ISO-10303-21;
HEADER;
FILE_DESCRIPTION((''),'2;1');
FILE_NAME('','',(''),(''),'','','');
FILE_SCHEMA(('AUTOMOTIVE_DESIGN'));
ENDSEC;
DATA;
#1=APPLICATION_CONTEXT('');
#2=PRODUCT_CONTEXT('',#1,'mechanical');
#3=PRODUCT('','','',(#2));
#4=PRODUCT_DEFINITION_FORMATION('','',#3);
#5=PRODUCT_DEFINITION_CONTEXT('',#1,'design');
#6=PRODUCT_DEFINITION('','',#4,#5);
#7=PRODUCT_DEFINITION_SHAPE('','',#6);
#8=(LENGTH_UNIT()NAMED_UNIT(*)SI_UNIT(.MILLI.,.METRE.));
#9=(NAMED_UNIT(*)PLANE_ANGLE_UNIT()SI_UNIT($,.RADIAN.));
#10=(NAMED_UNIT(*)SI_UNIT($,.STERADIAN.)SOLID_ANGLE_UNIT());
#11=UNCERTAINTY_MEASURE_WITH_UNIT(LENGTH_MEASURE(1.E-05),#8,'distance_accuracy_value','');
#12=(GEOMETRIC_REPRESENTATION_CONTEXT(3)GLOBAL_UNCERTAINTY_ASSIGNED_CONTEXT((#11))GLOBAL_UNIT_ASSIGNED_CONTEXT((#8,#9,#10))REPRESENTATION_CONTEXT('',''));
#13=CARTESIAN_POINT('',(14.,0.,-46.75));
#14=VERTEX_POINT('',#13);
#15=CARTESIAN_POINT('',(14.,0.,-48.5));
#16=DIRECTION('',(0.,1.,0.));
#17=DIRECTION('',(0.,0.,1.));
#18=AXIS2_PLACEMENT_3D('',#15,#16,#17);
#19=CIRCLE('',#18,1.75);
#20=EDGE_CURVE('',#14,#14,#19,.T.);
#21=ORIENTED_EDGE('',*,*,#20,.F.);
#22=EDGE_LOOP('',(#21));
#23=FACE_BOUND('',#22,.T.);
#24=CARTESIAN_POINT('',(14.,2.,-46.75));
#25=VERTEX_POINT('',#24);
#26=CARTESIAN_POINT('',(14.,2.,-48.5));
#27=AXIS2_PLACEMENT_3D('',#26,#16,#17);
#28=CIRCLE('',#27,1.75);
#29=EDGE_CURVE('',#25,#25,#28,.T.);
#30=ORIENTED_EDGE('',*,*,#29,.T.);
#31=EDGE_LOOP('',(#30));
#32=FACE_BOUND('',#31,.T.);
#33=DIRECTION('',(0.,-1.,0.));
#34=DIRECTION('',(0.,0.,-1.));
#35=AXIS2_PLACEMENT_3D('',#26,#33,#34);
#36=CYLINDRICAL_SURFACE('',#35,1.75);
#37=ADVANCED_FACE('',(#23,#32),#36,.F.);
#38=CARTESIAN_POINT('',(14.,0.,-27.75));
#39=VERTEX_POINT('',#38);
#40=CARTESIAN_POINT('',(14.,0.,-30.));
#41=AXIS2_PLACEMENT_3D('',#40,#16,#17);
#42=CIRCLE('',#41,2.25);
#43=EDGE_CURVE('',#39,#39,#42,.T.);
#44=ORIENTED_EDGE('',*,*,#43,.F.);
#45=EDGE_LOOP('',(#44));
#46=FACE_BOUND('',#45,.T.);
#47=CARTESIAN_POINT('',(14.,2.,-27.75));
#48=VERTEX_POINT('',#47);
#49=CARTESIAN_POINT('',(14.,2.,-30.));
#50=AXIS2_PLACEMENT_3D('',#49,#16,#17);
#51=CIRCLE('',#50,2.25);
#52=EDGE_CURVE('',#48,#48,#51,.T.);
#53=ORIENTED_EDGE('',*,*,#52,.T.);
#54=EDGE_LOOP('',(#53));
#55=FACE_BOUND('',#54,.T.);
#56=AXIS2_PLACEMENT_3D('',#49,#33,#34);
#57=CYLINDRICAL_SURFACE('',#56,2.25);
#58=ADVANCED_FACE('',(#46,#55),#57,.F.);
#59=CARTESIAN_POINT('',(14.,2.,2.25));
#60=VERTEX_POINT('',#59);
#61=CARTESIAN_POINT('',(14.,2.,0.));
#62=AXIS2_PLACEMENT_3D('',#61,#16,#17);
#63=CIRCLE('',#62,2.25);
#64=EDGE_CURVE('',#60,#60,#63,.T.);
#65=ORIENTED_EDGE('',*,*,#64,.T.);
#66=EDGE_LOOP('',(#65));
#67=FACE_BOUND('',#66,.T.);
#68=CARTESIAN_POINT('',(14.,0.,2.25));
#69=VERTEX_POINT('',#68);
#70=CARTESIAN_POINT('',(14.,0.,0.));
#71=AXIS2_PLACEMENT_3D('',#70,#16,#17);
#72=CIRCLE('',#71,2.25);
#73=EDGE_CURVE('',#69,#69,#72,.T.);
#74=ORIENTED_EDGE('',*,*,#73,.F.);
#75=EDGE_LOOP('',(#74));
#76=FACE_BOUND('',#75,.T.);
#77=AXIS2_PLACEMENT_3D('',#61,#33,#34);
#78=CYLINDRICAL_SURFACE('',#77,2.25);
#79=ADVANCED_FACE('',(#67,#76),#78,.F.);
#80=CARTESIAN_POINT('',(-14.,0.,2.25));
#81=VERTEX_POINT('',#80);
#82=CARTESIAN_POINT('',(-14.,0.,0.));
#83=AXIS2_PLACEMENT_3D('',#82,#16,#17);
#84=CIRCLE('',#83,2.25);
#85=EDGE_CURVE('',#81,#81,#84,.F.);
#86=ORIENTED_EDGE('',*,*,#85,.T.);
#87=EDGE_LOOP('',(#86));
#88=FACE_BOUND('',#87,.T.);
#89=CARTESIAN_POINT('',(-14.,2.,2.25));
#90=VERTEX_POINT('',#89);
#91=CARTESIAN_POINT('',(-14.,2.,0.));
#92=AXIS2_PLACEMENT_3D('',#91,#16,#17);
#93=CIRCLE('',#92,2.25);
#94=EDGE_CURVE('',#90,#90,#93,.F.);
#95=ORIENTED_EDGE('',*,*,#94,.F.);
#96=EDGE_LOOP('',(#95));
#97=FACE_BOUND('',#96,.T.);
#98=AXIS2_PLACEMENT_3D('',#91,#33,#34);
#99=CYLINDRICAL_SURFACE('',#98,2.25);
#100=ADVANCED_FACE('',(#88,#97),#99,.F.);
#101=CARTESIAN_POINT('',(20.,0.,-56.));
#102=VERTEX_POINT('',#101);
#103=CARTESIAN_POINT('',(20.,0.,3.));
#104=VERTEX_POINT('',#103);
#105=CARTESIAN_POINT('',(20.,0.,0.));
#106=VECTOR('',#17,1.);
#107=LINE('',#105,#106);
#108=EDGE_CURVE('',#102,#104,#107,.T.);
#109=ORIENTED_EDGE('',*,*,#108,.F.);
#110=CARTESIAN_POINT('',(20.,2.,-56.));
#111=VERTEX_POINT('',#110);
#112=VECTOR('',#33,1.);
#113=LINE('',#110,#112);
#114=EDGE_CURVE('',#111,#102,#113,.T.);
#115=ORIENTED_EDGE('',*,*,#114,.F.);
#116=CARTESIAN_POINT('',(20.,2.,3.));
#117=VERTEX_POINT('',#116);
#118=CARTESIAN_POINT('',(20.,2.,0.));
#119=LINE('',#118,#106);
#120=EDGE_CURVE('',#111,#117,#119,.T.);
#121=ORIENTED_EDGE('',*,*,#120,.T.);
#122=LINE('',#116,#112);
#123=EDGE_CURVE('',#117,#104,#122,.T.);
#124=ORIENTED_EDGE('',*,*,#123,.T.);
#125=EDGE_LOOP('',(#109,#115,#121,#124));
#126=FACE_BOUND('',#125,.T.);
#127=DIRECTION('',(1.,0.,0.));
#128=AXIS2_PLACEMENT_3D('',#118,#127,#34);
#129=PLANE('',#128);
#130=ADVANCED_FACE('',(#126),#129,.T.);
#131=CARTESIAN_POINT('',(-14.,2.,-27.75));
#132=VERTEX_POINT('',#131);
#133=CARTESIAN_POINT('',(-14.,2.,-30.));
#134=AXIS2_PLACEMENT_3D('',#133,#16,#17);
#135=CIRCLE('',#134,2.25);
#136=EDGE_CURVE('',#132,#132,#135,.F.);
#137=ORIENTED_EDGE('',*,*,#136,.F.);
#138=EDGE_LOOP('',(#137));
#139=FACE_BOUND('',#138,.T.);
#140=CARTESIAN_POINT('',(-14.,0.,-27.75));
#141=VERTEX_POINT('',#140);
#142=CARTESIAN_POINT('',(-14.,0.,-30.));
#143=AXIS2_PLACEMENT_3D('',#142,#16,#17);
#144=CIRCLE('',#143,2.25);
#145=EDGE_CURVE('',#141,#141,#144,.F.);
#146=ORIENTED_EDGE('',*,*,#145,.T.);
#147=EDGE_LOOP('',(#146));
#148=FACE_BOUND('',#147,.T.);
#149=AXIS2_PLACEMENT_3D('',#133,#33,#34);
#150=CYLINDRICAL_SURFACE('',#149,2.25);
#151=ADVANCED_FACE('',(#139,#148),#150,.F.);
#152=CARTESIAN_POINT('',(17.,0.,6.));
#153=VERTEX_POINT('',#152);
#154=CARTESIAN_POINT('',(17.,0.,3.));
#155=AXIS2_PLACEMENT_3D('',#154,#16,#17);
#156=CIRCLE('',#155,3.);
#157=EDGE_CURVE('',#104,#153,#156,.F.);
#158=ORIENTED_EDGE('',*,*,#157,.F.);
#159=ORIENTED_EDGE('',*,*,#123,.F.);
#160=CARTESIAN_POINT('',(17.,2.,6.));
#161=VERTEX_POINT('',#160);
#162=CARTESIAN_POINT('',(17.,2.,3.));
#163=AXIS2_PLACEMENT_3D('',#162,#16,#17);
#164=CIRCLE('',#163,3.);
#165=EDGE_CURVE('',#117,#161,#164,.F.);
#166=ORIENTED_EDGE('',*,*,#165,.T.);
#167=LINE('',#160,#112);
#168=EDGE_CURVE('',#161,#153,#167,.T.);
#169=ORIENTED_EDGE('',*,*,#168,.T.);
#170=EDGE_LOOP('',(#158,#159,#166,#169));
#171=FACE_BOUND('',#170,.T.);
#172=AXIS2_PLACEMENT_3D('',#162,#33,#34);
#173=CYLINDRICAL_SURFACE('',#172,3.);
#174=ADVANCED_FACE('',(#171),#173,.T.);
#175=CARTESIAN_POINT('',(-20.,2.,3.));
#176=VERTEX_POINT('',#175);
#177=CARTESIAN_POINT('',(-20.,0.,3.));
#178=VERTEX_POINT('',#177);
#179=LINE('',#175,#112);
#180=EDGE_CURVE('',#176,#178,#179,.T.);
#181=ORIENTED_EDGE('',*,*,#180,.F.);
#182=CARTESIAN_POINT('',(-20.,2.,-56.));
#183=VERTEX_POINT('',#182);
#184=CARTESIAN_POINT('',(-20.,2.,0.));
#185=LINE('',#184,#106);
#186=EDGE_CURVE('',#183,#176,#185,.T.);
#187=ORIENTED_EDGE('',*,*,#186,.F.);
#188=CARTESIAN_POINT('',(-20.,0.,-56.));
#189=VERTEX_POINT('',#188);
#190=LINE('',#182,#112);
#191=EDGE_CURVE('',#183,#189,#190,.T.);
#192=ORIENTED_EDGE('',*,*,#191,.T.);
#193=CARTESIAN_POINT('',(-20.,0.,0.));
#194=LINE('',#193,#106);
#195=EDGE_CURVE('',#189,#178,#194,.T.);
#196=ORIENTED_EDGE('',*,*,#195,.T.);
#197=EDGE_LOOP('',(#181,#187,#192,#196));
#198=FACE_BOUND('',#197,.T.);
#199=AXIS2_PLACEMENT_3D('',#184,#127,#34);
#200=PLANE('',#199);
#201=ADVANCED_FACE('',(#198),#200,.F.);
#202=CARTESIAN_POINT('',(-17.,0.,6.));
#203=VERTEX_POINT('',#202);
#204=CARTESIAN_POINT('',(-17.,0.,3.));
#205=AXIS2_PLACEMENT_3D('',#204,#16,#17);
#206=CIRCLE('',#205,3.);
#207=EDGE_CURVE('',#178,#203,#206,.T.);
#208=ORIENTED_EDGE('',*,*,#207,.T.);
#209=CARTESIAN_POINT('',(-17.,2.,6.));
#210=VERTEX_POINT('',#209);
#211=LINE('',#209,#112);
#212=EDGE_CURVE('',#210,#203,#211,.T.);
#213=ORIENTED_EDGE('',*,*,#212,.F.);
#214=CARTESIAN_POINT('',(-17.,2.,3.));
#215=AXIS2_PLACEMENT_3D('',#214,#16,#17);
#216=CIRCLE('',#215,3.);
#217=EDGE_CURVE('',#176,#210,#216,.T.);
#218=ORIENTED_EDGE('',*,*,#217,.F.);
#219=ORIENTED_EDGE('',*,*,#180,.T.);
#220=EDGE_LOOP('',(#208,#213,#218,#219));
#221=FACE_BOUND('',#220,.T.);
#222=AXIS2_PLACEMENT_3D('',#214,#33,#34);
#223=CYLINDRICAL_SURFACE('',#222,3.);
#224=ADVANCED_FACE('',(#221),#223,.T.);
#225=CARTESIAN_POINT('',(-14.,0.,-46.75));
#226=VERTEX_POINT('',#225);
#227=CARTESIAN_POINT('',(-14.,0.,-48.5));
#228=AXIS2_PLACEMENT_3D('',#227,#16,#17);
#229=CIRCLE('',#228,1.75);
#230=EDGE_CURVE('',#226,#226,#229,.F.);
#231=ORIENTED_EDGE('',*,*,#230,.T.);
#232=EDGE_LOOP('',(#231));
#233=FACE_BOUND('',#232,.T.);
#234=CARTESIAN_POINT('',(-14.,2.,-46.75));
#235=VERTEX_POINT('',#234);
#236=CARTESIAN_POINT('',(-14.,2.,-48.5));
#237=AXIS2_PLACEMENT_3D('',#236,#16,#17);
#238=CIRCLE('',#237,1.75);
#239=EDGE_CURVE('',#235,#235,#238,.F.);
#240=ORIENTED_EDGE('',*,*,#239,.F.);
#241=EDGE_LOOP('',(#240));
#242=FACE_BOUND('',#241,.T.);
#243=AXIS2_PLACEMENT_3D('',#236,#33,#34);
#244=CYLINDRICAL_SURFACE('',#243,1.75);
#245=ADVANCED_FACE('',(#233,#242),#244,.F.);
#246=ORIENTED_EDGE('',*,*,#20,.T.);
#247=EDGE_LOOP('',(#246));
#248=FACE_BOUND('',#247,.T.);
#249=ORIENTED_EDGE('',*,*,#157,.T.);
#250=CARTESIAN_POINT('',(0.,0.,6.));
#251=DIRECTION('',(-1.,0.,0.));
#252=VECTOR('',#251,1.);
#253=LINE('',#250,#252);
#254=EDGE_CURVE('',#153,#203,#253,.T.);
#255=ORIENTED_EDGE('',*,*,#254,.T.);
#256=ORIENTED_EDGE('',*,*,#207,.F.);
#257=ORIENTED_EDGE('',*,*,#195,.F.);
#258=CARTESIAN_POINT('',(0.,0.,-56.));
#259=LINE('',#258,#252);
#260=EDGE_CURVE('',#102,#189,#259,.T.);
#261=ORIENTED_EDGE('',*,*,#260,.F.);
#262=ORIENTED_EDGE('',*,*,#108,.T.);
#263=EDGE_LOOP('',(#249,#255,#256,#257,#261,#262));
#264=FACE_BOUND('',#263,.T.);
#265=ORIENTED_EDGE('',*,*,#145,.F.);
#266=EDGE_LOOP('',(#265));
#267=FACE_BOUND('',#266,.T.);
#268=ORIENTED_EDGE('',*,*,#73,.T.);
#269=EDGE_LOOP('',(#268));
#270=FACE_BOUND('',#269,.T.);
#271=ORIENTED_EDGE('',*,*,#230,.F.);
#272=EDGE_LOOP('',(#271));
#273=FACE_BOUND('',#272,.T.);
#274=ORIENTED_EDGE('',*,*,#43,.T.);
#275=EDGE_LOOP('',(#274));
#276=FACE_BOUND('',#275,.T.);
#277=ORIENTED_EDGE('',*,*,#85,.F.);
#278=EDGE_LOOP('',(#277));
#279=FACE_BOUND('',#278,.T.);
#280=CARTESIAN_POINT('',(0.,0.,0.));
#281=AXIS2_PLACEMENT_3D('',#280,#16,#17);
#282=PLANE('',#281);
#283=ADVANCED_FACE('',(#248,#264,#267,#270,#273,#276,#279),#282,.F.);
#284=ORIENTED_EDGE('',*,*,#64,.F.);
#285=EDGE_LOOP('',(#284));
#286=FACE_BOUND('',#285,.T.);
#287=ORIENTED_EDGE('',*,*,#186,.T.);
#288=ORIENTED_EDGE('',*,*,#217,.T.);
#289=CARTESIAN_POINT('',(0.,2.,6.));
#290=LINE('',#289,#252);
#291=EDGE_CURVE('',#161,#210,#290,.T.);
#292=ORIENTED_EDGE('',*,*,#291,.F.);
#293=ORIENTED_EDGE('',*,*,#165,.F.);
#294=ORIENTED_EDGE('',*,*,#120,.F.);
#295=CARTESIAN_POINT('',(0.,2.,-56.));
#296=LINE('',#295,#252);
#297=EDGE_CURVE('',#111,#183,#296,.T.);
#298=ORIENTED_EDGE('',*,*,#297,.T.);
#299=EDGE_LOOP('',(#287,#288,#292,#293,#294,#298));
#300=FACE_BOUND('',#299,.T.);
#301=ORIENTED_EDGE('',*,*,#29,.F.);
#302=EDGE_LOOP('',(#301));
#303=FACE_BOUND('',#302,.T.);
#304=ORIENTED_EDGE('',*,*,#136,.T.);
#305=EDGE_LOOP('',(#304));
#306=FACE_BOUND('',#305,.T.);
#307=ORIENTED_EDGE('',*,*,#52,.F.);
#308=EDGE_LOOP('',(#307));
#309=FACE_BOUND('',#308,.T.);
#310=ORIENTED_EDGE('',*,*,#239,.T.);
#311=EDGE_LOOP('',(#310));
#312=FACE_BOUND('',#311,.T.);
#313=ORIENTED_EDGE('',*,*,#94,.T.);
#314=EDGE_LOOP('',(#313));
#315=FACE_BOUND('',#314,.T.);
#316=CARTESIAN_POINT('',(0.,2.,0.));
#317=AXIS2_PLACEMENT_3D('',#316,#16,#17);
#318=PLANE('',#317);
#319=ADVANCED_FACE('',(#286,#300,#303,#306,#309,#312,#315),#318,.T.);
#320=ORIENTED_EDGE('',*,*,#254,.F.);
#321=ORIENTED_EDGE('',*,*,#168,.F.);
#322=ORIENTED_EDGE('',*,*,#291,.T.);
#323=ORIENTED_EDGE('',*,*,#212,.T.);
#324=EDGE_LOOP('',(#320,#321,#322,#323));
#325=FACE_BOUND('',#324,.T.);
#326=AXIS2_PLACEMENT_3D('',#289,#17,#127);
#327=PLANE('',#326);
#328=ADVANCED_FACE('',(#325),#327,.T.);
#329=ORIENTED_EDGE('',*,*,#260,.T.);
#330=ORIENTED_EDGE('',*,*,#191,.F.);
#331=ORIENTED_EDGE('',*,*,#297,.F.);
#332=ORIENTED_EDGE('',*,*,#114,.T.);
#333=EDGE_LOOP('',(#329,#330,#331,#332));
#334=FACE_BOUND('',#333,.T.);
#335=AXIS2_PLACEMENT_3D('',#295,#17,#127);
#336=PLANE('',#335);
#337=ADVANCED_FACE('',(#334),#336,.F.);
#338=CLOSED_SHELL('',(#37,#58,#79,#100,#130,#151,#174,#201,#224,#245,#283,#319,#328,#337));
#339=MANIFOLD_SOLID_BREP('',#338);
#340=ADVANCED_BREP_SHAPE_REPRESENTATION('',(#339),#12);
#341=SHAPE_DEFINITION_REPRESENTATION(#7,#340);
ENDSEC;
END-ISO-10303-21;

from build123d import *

# Parameters (mm, degrees)
EXTRUDE_1_DEPTH = 2


with BuildPart() as part:
    # 草图1 → 凸台-拉伸1 (new body)
    with BuildSketch(Plane(origin=(0, 0, 0), x_dir=(1, 0, 0), z_dir=(0, 1, 0))):
        with BuildLine():
            Line((-11.75, 0), (0, 0))
            Line((0, 0), (0, 30))
            Line((0, 30), (-11.75, 30))
            ThreePointArc((-11.75, 30), (-12.409009742, 28.409009742), (-14, 27.75))
            Line((-14, 27.75), (-14, 2.25))
            ThreePointArc((-14, 2.25), (-12.409009742, 1.590990258), (-11.75, 0))
        make_face()
        with BuildLine():
            Line((0, 30), (0, 0))
            Line((0, 0), (11.75, 0))
            ThreePointArc((11.75, 0), (12.409009742, 1.590990258), (14, 2.25))
            Line((14, 2.25), (14, 27.75))
            ThreePointArc((14, 27.75), (12.409009742, 28.409009742), (11.75, 30))
            Line((11.75, 30), (0, 30))
        make_face()
        with BuildLine():
            Line((11.75, 0), (0, 0))
            Line((0, 0), (-11.75, 0))
            ThreePointArc((-11.75, 0), (-15.590990258, -1.590990258), (-14, 2.25))
            Line((-14, 2.25), (-14, 27.75))
            ThreePointArc((-14, 27.75), (-16.25, 30), (-14, 32.25))
            Line((-14, 32.25), (-14, 46.75))
            ThreePointArc((-14, 46.75), (-15.75, 48.5), (-14, 50.25))
            Line((-14, 50.25), (-14, 56))
            Line((-14, 56), (-20, 56))
            Line((-20, 56), (-20, -3))
            ThreePointArc((-20, -3), (-19.121320344, -5.121320344), (-17, -6))
            Line((-17, -6), (17, -6))
            ThreePointArc((17, -6), (19.121320344, -5.121320344), (20, -3))
            Line((20, -3), (20, 56))
            Line((20, 56), (14, 56))
            Line((14, 56), (14, 50.25))
            ThreePointArc((14, 50.25), (15.237436867, 49.737436867), (15.75, 48.5))
            ThreePointArc((15.75, 48.5), (15.237436867, 47.262563133), (14, 46.75))
            Line((14, 46.75), (14, 32.25))
            ThreePointArc((14, 32.25), (15.590990258, 31.590990258), (16.25, 30))
            ThreePointArc((16.25, 30), (15.590990258, 28.409009742), (14, 27.75))
            Line((14, 27.75), (14, 2.25))
            ThreePointArc((14, 2.25), (15.590990258, 1.590990258), (16.25, 0))
            ThreePointArc((16.25, 0), (14, -2.25), (11.75, 0))
        make_face()
        with BuildLine():
            Line((-11.75, 30), (0, 30))
            Line((0, 30), (11.75, 30))
            ThreePointArc((11.75, 30), (12.409009742, 31.590990258), (14, 32.25))
            Line((14, 32.25), (14, 46.75))
            ThreePointArc((14, 46.75), (12.25, 48.5), (14, 50.25))
            Line((14, 50.25), (14, 56))
            Line((14, 56), (-14, 56))
            Line((-14, 56), (-14, 50.25))
            ThreePointArc((-14, 50.25), (-12.762563133, 49.737436867), (-12.25, 48.5))
            ThreePointArc((-12.25, 48.5), (-12.762563133, 47.262563133), (-14, 46.75))
            Line((-14, 46.75), (-14, 32.25))
            ThreePointArc((-14, 32.25), (-12.409009742, 31.590990258), (-11.75, 30))
        make_face()
    extrude(amount=EXTRUDE_1_DEPTH)


solid = part.part
